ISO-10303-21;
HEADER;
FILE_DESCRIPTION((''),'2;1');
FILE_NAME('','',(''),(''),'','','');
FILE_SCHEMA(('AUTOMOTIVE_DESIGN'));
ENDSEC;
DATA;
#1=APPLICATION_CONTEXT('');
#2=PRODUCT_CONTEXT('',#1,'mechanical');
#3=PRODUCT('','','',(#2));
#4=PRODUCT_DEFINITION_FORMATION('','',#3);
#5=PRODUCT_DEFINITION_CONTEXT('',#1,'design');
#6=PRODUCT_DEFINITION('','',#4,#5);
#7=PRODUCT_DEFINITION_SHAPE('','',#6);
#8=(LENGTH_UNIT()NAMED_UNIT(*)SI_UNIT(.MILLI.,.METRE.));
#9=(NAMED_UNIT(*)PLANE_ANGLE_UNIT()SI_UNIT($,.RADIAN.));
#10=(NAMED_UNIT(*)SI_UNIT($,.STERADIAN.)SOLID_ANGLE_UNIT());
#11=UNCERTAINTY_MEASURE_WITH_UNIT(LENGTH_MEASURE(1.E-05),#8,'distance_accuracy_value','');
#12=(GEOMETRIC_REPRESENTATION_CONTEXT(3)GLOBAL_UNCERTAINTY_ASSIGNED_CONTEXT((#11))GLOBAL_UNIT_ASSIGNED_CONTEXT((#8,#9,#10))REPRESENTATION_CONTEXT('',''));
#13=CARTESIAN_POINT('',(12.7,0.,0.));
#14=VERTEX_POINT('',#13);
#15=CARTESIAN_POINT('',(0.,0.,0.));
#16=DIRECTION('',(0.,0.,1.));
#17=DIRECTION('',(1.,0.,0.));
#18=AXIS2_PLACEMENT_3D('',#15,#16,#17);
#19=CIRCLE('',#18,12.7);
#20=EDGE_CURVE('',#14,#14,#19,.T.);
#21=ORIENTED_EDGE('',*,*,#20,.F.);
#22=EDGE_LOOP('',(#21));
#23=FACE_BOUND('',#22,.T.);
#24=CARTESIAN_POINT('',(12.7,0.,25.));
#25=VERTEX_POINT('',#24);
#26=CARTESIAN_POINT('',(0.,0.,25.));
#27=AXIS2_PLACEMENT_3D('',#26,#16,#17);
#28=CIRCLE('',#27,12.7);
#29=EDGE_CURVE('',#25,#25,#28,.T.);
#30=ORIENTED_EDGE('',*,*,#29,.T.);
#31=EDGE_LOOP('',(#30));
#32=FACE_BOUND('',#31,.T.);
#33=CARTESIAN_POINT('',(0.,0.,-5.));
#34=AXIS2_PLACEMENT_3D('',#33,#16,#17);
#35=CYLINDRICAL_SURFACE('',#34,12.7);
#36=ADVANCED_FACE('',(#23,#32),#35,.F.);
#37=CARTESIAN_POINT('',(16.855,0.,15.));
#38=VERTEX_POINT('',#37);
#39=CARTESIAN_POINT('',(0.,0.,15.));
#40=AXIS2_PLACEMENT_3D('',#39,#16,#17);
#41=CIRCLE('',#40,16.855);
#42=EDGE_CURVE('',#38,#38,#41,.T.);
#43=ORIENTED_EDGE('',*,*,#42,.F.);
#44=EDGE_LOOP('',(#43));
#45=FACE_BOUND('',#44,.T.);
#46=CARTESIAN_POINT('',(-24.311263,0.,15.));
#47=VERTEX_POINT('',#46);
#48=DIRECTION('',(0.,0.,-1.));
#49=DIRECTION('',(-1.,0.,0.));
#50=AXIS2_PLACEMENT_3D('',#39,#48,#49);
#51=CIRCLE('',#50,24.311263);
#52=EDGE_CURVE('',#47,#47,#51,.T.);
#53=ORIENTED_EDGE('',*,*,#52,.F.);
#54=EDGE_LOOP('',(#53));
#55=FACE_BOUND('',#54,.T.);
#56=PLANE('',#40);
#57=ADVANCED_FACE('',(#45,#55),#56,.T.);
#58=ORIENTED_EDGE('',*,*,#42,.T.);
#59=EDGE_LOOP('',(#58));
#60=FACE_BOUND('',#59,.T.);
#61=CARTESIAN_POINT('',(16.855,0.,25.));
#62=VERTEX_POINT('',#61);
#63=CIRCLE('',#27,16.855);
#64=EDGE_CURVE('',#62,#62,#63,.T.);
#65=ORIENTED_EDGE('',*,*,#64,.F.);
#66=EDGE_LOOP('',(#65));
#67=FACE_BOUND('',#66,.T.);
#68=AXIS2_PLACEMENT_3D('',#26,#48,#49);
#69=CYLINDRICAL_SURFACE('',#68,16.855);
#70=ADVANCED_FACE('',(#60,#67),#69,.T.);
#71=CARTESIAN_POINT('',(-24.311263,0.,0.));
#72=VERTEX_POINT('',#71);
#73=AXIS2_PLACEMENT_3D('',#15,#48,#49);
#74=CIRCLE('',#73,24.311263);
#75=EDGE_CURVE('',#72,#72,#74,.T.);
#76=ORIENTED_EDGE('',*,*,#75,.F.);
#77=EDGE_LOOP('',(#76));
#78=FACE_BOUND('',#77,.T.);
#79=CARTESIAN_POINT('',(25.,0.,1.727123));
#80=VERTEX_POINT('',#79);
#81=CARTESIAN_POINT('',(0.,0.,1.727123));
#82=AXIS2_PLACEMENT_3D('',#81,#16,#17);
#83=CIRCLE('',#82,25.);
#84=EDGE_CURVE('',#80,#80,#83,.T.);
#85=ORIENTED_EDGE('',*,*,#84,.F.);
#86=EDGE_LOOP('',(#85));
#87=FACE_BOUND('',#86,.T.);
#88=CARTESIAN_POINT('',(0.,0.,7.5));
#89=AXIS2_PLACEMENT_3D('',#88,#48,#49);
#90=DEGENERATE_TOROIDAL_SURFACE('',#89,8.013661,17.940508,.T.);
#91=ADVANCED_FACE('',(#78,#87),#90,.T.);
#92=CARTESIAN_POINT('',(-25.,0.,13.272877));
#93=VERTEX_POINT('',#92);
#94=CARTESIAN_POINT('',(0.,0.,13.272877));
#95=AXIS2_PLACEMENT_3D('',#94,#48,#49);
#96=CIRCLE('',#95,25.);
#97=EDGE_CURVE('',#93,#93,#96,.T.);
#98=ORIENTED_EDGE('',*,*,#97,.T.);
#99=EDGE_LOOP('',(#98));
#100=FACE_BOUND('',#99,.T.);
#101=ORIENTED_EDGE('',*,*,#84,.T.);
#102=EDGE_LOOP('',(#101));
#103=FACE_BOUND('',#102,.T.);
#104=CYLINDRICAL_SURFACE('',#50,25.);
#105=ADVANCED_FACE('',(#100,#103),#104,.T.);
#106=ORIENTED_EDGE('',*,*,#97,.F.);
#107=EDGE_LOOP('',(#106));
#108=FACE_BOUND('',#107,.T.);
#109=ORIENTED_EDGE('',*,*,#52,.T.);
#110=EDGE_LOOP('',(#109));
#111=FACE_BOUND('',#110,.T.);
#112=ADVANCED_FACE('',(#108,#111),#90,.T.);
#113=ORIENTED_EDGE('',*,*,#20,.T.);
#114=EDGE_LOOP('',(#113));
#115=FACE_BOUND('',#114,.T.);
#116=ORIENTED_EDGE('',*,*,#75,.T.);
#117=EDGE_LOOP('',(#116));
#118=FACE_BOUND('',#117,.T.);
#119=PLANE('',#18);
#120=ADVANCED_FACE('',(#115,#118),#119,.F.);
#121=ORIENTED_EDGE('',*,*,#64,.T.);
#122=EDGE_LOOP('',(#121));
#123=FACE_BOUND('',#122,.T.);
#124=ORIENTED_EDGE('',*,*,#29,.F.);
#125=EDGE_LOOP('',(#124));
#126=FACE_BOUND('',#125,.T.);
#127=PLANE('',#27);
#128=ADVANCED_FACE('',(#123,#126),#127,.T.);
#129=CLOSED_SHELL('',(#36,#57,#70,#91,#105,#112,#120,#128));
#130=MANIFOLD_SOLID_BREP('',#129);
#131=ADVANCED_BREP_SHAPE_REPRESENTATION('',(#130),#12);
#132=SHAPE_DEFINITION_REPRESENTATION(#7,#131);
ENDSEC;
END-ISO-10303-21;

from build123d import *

# Parameters (mm, degrees)
SKETCH1_R           = 25
BOSS_EXTRUDE1_DEPTH = 15
SKETCH2_R           = 16.855
BOSS_EXTRUDE2_DEPTH = 10
SKETCH3_R           = 12.7
CUT_EXTRUDE1_DEPTH  = 30


with BuildPart() as part:
    # Sketch1 → Boss-Extrude1 (new body)
    with BuildSketch(Plane.XY):
        Circle(SKETCH1_R)
    extrude(amount=BOSS_EXTRUDE1_DEPTH)

    # Sketch2 → Boss-Extrude2 (add)
    with BuildSketch(Plane.XY.offset(15)):
        Circle(SKETCH2_R)
    extrude(amount=BOSS_EXTRUDE2_DEPTH)

    # Sketch3 → Cut-Extrude1 (cut)
    with BuildSketch(Plane.XY.offset(25)):
        Circle(SKETCH3_R)
    extrude(amount=-CUT_EXTRUDE1_DEPTH, mode=Mode.SUBTRACT)

    # Sketch8 → Cut-Revolve13 (revolve, cut)
    with BuildSketch(Plane(origin=(0, 0, 0), x_dir=(0, 0, -1), z_dir=(1, 0, 0)), mode=Mode.PRIVATE) as cut_revolve13_sk:
        with BuildLine():
            Line((-15, 26.011262748), (-15, 24.311262748))
            ThreePointArc((-15, 24.311262748), (-7.5, 25.954168843), (0, 24.311262748))
            Line((0, 24.311262748), (0, 26.011262748))
            Line((0, 26.011262748), (-15, 26.011262748))
        make_face()
    revolve(cut_revolve13_sk.sketch.rotate(Axis((0, 0, 0), (0, 0, 1)), 90), axis=Axis((0, 0, 0), (0, 0, 1)), mode=Mode.SUBTRACT)


solid = part.part
